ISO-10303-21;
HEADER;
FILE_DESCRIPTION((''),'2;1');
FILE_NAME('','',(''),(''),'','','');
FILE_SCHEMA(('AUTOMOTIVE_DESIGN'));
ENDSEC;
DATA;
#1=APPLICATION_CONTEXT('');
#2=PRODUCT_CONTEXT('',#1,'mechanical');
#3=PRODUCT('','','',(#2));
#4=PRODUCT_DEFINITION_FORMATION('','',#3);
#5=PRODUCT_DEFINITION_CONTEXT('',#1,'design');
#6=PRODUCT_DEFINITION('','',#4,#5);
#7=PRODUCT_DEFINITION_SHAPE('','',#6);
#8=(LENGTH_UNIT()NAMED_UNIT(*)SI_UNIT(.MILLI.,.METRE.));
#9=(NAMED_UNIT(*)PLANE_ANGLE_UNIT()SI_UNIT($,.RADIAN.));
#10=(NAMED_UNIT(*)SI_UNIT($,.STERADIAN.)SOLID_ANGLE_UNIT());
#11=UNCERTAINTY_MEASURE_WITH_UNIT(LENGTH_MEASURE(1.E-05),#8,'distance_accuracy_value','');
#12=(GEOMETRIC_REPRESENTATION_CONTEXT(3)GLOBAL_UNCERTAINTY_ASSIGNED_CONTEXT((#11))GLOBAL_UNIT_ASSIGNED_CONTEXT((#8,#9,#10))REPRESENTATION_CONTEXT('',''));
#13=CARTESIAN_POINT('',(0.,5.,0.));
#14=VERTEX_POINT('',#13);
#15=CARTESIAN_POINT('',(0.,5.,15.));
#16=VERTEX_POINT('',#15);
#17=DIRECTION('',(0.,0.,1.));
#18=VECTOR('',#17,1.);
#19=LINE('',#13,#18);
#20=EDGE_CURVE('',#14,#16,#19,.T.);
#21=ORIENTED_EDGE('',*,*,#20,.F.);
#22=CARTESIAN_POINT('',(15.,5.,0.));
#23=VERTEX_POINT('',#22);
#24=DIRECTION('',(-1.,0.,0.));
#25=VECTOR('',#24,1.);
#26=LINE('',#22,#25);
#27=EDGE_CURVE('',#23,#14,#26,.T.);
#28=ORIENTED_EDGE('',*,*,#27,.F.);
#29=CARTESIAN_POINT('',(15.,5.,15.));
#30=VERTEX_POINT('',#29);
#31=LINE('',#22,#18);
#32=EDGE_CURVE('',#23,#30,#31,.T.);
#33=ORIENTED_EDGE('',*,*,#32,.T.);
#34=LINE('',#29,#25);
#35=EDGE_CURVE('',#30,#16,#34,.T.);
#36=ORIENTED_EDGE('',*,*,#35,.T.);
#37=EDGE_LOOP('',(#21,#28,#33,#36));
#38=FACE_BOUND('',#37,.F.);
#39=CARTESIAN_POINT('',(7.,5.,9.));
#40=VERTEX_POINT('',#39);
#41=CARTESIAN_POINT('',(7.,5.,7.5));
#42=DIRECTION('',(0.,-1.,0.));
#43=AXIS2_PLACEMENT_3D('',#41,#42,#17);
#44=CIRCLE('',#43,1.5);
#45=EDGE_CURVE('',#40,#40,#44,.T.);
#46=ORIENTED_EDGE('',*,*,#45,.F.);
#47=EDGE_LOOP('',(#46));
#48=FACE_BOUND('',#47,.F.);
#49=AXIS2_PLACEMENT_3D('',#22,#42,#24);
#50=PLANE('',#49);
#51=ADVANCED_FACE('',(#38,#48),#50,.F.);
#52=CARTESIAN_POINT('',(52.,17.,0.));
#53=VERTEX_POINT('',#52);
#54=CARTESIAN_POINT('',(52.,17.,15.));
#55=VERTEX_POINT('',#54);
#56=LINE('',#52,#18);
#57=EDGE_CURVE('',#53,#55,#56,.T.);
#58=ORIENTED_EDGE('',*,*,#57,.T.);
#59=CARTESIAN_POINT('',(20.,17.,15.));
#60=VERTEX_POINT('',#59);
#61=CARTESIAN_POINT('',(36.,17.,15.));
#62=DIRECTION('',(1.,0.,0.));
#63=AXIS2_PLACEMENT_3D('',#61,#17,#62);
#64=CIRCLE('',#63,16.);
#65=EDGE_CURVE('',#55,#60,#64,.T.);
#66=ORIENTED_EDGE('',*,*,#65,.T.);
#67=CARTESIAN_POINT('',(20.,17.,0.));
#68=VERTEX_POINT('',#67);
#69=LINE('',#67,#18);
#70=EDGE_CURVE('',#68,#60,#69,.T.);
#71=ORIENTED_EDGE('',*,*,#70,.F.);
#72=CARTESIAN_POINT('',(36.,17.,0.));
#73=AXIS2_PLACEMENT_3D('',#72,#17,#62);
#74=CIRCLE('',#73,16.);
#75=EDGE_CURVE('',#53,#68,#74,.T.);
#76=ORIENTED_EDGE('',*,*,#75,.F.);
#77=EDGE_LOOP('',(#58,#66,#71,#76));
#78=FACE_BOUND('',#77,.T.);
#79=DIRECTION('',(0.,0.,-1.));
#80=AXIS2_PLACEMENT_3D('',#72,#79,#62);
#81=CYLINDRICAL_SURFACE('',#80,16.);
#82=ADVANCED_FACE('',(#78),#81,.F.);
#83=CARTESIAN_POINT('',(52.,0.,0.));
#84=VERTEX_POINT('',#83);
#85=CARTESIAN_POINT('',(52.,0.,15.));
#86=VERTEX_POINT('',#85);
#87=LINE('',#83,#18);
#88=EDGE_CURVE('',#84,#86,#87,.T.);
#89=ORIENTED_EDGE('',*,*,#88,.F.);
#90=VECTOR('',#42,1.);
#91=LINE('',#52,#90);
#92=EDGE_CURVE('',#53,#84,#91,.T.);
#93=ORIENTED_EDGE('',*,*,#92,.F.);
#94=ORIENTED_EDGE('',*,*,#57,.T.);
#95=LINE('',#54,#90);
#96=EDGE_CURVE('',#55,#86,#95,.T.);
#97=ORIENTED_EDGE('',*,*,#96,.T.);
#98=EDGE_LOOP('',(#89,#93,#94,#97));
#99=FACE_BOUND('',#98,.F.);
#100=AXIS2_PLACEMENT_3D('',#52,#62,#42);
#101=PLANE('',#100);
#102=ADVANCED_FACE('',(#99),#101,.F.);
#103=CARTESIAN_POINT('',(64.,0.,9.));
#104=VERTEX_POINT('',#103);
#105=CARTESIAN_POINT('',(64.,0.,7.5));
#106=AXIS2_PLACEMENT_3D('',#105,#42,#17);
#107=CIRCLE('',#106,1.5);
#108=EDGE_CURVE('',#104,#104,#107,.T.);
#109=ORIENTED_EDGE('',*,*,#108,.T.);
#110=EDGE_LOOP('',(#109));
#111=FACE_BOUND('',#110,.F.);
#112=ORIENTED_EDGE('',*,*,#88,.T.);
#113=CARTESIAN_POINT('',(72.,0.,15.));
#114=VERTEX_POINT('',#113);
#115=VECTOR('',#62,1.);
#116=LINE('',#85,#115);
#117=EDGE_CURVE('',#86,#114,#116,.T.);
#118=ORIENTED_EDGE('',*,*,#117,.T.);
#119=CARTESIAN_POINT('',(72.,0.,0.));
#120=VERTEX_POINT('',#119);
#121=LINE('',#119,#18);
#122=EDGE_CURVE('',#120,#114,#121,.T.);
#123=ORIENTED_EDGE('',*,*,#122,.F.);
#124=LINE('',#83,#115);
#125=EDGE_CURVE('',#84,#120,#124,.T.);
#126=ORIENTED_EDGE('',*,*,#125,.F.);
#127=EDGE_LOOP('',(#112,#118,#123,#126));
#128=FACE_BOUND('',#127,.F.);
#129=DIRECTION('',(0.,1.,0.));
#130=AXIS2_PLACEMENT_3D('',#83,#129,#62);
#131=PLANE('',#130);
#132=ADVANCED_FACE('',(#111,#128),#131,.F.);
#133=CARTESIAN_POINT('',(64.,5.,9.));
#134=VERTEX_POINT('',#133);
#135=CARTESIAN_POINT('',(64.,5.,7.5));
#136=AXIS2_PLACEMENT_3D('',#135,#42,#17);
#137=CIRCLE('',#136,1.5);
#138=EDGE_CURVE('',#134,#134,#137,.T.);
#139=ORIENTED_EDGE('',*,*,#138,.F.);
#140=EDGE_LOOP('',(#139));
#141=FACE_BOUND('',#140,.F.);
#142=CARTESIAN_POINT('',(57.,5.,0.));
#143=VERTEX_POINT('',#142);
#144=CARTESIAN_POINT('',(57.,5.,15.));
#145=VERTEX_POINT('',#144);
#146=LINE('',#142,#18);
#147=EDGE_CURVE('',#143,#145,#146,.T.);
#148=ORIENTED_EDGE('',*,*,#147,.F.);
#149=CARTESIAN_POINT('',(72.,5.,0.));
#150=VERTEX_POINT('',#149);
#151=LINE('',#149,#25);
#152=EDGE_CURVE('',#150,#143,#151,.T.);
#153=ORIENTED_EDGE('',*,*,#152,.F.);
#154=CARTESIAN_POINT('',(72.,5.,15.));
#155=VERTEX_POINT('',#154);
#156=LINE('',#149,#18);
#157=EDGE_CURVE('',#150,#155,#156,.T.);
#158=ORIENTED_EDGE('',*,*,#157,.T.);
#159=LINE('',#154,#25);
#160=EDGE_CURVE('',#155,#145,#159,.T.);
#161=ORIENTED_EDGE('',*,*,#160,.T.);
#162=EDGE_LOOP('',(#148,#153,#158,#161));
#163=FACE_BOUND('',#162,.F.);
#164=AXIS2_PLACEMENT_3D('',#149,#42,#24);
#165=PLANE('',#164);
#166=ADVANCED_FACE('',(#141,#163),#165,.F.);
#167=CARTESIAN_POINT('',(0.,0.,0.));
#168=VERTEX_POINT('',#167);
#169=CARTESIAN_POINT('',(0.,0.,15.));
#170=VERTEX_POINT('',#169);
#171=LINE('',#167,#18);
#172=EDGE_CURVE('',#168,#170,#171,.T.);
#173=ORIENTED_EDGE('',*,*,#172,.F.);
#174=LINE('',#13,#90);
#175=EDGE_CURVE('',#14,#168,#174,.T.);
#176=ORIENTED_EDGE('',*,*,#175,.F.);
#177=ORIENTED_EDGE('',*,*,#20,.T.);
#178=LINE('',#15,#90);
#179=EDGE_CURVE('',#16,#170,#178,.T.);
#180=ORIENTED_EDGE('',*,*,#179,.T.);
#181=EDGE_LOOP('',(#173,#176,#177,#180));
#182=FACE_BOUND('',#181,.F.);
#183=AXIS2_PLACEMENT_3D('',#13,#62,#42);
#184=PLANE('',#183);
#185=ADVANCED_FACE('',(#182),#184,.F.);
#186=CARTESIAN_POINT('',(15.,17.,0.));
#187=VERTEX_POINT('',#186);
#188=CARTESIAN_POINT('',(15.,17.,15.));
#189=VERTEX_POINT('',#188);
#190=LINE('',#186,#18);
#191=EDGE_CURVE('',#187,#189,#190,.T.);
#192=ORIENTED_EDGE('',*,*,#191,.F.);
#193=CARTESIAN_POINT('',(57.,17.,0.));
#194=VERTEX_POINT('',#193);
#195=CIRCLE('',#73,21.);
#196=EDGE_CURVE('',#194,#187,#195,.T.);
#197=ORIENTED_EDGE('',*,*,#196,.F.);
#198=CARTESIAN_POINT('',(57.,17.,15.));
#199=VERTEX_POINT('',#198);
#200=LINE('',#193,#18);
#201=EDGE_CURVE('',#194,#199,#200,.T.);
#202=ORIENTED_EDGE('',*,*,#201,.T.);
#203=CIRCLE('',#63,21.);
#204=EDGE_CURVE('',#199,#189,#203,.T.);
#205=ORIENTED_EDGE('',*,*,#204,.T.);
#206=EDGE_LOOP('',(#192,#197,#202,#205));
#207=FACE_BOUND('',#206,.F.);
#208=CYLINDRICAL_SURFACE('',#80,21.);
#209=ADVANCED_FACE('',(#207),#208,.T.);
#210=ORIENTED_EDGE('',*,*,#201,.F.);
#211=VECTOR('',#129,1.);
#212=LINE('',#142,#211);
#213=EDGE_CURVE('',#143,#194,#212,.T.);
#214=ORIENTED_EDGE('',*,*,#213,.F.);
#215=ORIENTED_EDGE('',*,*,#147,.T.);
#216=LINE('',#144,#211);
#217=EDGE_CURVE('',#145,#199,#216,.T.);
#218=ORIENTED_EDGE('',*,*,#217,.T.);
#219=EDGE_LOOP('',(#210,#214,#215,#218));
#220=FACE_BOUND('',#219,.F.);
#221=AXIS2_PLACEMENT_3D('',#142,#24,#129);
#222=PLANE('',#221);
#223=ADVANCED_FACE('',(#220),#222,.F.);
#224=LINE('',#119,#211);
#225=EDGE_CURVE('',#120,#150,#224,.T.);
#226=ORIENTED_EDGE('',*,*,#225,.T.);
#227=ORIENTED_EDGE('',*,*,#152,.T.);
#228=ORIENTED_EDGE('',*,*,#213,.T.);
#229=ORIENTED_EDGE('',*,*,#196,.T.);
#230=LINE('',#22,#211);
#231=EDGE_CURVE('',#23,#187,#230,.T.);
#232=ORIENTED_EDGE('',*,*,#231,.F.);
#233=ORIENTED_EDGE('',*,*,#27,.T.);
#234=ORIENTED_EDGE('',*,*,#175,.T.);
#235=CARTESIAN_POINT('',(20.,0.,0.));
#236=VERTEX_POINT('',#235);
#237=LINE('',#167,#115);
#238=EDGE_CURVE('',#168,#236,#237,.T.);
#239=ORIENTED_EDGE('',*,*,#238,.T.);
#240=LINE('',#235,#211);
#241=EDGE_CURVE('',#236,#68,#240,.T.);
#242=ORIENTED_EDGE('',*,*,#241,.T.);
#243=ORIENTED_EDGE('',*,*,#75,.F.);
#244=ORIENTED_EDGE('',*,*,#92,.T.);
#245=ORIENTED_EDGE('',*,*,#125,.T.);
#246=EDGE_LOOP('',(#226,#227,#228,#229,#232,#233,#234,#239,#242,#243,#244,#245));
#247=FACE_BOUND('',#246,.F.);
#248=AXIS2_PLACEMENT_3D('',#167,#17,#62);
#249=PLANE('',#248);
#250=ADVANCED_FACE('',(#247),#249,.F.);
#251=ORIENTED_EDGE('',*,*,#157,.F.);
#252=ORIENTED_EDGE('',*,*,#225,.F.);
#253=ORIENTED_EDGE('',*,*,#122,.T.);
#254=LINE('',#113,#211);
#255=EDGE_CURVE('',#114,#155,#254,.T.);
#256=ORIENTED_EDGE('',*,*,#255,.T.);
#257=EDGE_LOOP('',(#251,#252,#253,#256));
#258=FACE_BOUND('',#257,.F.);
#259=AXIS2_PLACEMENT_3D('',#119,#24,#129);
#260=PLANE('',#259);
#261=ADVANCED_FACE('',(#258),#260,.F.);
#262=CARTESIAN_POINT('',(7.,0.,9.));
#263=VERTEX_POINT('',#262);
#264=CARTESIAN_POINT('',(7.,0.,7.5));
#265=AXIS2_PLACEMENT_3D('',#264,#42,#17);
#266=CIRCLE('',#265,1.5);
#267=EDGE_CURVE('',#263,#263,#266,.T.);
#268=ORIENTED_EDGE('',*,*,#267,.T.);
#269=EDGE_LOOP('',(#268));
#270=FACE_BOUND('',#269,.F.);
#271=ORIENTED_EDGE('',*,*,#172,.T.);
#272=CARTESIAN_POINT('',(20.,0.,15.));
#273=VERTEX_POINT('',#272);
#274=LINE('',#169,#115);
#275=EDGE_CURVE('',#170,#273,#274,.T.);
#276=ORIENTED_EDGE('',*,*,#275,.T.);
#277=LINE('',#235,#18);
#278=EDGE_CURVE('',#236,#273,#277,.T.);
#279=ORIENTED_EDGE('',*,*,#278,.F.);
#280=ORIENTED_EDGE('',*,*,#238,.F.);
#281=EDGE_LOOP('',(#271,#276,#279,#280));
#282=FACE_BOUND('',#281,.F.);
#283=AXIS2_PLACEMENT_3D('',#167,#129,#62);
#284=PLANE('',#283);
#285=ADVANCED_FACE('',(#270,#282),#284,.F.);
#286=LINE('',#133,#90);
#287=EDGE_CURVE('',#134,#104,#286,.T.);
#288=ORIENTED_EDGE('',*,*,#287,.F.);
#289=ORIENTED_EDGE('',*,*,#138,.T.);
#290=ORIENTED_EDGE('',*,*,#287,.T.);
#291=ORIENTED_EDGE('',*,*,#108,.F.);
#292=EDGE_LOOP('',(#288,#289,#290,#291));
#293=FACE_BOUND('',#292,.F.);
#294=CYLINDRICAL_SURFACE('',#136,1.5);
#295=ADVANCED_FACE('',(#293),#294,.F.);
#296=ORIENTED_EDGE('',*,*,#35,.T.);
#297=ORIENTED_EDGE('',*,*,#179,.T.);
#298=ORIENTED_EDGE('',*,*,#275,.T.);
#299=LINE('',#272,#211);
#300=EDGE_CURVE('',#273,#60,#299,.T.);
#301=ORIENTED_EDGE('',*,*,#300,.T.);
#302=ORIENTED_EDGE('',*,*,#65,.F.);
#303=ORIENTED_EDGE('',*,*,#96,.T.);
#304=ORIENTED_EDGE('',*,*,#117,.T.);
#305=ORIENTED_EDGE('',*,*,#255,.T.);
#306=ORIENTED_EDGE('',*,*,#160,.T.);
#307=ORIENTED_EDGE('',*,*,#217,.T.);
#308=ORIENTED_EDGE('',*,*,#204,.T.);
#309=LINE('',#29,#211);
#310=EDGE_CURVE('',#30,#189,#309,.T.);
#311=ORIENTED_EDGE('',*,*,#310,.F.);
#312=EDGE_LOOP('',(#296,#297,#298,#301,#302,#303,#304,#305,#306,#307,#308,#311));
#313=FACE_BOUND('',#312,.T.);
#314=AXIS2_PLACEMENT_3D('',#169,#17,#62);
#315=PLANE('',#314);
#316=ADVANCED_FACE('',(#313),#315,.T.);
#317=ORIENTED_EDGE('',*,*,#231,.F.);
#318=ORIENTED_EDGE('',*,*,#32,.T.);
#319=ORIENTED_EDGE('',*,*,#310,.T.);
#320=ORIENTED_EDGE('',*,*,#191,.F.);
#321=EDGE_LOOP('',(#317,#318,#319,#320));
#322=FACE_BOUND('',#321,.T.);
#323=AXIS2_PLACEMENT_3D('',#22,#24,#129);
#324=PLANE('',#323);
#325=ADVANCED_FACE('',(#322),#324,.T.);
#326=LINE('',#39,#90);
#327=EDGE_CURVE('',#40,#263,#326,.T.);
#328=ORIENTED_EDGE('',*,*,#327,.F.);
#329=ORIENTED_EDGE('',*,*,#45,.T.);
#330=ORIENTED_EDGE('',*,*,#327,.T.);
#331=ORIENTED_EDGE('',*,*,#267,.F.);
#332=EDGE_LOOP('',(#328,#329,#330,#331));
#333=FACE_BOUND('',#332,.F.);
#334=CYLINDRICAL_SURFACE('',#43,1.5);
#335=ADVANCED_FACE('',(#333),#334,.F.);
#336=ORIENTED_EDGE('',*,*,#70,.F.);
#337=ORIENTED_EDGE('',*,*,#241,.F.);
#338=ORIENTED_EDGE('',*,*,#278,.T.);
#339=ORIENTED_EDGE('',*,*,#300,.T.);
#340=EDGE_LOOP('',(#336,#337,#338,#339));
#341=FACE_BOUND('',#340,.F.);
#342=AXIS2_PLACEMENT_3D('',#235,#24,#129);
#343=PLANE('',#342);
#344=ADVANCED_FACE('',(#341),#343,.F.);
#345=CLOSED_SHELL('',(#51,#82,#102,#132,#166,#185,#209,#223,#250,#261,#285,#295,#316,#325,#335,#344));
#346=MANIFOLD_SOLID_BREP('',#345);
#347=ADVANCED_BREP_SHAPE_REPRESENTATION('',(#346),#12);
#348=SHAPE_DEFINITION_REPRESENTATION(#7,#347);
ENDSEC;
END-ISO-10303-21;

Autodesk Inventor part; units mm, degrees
ref_plane "YZ Plane" through (0, 0, 0) normal (1, 0, 0) x (0, 1, 0)
ref_plane "XZ Plane" through (0, 0, 0) normal (0, 1, 0) x (-1, 0, 0)
ref_plane "XY Plane" through (0, 0, 0) normal (0, 0, 1) x (1, 0, 0)
sketch "Sketch1" plane through (0, 0, 0) normal (0, 0, 1) x (1, 0, 0)
  line L0 (72, 0) -> (72, 5)
  line L1 (0, 5) -> (0, 0)
  arc A0 (57, 17) -> (15, 17) centre (36, 17) ccw
  line L2 (15, 5) -> (15, 17)
  line L3 (57, 5) -> (57, 17)
  line L4 (20, 0) -> (20, 17)
  arc A1 (52, 17) -> (20, 17) centre (36, 17) ccw
  line L5 (52, 17) -> (52, 0)
  line L6 (72, 5) -> (57, 5)
  line L7 (15, 5) -> (0, 5)
  line L8 (0, 0) -> (20, 0)
  line L9 (52, 0) -> (72, 0)
  dimension "d1" = 5
  dimension "d3" = 21
  dimension "d4" = 15
  dimension "d6" = 5
  dimension "d7" = 15
  dimension "d8" = 20
extrude "Extrusion1" add sketch "Sketch1" along normal blind 15
sketch "Sketch2" plane through (0, 5, 0) normal (0, 1, 0) x (1, 0, 0)
  line L0 (15, 0) -> (0, 0) projected
  line L1 (72, 0) -> (57, 0) projected
  line L2 (0, 0) -> (0, -15) projected
  point P0 (7, -7.5)
  point P1 (64, -7.5)
  dimension "d19" = 7.5
  dimension "d20" = 7.5
  dimension "d21" = 7
  dimension "d22" = 57
hole "Hole1" at (7, 5, 7.5) at (64, 5, 7.5) direction (0, -1, 0) diameter 3 end through all
properties part number "U_BRACKET_2"
